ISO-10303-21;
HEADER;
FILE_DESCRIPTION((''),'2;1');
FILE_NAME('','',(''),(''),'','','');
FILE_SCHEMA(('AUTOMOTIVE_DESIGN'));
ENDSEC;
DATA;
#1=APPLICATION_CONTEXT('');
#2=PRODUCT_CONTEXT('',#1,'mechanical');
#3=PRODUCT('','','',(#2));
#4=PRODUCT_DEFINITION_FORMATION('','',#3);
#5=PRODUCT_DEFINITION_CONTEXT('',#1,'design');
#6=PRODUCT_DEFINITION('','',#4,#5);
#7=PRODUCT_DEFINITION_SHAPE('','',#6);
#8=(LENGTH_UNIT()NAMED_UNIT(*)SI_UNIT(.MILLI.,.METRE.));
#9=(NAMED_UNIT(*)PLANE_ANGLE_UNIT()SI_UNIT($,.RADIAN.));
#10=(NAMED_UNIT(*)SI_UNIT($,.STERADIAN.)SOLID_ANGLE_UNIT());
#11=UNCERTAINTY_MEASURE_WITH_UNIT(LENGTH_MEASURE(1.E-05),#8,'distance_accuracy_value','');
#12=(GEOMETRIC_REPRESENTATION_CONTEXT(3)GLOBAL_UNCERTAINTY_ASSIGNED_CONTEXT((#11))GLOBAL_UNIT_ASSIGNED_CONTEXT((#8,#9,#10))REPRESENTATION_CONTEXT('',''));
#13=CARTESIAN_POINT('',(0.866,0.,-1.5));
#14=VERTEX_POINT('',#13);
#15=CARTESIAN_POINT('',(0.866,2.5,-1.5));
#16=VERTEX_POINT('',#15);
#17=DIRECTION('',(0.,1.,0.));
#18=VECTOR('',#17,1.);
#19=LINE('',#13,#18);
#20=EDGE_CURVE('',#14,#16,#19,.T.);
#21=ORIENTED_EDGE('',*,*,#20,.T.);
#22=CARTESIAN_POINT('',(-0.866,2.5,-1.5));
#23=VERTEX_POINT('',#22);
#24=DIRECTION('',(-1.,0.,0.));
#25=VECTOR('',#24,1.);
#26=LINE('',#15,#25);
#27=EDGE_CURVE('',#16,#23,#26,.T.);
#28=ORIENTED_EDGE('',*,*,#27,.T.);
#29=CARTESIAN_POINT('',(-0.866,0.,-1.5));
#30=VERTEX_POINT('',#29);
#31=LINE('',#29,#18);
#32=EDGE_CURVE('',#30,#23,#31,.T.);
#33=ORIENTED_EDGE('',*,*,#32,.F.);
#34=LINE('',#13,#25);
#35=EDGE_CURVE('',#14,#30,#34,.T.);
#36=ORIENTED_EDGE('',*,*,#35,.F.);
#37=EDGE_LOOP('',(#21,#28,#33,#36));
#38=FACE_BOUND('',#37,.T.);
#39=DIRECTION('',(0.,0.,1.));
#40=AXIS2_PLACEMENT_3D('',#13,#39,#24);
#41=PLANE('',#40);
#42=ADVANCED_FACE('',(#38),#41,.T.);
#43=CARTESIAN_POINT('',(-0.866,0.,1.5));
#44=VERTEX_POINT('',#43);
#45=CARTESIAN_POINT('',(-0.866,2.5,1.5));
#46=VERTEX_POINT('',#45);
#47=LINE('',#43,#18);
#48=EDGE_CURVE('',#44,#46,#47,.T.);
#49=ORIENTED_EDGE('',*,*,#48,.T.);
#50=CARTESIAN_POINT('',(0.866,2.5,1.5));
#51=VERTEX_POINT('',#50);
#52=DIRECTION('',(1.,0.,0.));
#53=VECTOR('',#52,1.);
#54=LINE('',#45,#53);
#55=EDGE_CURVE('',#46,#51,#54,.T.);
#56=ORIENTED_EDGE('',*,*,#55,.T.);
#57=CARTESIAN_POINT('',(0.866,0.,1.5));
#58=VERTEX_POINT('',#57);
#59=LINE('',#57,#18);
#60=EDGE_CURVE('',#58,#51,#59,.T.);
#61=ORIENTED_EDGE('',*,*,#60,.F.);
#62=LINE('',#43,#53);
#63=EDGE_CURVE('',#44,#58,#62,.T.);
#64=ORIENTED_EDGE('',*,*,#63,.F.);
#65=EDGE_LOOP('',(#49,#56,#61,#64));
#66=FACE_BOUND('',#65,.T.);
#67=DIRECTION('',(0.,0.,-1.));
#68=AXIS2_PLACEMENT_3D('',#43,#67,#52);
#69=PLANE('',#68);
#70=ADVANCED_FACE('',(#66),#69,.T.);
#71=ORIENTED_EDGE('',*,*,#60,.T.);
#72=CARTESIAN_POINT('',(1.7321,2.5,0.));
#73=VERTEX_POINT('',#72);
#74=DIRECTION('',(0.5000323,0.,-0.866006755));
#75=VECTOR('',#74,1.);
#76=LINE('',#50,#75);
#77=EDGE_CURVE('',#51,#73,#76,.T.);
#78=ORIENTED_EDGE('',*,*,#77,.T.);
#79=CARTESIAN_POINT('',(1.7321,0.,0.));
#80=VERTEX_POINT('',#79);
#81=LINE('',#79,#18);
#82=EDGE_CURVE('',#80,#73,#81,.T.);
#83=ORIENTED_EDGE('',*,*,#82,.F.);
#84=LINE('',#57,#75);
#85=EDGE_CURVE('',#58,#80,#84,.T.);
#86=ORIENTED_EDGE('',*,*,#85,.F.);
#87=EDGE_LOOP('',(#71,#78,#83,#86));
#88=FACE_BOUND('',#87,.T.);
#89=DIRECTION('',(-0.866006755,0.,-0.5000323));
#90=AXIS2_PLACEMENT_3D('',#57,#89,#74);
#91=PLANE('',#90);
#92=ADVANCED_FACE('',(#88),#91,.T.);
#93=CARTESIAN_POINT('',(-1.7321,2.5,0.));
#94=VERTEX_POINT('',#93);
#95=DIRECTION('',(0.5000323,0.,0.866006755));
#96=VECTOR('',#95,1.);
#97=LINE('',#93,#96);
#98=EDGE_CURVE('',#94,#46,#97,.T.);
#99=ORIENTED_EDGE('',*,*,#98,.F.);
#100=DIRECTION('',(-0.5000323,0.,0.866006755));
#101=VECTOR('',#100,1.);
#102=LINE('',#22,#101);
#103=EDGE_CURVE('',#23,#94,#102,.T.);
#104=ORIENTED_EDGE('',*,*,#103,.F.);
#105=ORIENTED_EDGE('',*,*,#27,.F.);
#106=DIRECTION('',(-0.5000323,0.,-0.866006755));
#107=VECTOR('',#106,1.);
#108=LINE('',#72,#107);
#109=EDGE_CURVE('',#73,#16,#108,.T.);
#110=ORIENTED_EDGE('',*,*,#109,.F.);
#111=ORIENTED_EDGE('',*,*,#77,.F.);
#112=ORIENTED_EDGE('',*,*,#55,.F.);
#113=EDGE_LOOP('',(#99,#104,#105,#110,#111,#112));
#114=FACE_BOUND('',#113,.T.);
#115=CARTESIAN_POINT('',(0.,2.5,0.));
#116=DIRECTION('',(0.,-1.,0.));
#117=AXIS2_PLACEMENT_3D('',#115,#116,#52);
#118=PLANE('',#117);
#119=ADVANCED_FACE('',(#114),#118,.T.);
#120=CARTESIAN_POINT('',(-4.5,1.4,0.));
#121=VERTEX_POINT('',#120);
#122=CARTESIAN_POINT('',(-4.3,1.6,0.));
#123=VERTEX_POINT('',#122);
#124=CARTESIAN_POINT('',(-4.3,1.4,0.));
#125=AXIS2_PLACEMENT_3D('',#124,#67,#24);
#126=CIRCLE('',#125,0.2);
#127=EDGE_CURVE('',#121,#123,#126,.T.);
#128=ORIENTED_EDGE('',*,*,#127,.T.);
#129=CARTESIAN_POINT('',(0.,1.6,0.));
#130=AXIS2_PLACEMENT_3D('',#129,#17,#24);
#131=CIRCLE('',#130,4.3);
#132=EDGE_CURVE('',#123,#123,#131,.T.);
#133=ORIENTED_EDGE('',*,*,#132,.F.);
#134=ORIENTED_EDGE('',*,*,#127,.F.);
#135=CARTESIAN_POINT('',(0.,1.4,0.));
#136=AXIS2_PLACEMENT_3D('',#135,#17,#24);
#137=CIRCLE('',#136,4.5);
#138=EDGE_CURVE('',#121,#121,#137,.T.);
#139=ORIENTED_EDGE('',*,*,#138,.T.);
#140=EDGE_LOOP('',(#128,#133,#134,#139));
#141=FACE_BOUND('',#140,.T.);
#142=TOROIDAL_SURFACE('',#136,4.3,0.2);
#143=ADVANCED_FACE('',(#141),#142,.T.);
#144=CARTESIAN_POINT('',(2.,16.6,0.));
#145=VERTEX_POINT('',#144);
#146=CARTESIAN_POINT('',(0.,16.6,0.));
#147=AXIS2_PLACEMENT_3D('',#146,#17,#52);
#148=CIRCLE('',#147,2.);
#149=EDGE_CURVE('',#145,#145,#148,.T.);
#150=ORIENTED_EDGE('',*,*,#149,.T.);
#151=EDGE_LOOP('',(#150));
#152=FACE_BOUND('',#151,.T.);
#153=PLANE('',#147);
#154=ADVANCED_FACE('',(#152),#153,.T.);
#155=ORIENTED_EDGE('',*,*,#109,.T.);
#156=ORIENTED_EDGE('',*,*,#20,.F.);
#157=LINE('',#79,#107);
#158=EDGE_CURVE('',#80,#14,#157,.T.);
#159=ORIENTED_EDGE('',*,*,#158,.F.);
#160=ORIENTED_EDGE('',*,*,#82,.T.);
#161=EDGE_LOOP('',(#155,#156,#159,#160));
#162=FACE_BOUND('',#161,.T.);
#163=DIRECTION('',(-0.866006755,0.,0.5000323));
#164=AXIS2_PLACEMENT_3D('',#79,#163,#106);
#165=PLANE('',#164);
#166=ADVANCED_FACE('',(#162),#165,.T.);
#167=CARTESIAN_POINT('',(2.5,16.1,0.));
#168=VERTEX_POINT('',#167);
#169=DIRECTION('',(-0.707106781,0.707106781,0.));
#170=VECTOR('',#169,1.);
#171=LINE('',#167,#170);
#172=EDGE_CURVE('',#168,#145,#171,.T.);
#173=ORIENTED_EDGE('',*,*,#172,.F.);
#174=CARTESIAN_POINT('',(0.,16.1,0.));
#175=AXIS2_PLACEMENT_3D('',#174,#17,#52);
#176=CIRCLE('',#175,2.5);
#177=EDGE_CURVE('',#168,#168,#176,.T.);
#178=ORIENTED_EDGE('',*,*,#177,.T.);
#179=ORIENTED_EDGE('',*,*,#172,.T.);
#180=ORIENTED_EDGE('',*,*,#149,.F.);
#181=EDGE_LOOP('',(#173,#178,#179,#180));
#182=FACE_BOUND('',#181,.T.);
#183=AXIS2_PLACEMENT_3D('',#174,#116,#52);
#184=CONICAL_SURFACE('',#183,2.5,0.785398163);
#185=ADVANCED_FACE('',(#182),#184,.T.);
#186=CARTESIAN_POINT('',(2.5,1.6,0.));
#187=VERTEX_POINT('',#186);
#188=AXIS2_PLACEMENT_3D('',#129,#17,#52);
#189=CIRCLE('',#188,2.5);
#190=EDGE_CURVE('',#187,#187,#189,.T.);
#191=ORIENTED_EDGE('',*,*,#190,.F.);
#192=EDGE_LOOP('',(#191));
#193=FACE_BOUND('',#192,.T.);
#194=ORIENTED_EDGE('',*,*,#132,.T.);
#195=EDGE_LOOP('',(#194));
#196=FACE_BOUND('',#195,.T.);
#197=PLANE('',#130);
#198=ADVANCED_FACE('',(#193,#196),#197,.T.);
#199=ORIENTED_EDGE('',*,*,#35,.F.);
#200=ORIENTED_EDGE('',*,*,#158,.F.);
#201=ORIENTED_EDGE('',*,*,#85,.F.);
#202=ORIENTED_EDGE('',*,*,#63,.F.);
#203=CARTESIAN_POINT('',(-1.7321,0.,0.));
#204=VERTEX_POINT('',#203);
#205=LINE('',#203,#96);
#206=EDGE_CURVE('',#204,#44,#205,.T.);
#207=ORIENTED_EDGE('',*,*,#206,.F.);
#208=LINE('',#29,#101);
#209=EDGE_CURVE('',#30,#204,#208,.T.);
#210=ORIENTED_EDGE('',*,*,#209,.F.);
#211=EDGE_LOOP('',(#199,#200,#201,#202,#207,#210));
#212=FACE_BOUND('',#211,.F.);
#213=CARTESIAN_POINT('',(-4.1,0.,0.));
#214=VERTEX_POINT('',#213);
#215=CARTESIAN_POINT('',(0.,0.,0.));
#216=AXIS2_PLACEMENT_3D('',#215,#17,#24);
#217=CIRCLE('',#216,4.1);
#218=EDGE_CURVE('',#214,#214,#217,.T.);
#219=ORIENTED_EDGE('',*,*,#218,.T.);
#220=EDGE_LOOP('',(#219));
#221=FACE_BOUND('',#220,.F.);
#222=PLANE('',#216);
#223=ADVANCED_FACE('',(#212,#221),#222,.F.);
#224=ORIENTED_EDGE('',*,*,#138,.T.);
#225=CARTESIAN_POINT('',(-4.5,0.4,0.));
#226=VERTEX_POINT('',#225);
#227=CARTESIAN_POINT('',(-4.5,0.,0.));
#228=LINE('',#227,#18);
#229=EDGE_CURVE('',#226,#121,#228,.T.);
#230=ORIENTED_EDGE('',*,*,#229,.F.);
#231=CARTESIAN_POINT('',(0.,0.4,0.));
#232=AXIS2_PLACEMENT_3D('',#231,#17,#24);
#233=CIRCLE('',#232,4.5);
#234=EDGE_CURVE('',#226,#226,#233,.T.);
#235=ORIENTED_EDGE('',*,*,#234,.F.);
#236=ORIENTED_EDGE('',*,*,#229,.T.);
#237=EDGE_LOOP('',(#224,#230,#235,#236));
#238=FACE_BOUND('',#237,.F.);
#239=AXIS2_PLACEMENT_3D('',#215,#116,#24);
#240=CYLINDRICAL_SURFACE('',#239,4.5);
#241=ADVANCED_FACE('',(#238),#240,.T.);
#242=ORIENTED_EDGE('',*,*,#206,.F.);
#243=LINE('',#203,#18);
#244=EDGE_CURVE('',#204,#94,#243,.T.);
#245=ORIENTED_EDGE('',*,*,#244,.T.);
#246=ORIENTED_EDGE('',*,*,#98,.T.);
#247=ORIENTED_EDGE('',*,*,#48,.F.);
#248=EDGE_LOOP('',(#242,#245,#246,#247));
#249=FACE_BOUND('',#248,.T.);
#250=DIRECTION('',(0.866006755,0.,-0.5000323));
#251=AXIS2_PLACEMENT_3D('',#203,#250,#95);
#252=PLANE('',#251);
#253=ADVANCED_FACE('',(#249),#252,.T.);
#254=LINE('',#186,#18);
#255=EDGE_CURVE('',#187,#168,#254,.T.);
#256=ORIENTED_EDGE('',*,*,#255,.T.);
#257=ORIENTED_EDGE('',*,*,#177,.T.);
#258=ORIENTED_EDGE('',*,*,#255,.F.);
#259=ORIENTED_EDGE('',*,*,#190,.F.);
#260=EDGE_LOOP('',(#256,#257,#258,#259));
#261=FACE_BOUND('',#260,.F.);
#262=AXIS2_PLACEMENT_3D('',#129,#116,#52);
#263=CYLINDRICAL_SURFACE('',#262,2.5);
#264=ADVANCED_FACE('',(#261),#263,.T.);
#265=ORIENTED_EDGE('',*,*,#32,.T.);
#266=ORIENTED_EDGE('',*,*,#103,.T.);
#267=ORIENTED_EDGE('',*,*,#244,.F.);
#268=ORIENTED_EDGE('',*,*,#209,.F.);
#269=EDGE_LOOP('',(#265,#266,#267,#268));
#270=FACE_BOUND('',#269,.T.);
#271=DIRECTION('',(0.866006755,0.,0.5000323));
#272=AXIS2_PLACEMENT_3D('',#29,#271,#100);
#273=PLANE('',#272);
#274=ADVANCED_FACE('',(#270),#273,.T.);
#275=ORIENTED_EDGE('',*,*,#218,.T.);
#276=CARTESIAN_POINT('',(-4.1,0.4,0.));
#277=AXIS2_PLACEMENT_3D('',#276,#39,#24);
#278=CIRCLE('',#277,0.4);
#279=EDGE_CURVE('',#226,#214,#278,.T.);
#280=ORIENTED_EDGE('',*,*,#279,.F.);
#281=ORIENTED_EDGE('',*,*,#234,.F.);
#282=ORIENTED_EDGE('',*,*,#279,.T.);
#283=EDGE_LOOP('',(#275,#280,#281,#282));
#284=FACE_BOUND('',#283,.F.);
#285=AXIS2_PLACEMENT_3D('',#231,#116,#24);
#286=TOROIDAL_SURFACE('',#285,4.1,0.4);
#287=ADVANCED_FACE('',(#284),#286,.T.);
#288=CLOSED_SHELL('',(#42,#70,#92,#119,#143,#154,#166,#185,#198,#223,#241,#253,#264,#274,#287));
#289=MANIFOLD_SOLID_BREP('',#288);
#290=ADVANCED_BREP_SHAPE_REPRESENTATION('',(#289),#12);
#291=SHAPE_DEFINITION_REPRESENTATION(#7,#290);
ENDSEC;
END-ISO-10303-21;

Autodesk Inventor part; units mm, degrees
ref_plane "YZ Plane" through (0, 0, 0) normal (1, 0, 0) x (0, 1, 0)
ref_plane "XZ Plane" through (0, 0, 0) normal (0, 1, 0) x (-1, 0, 0)
ref_plane "XY Plane" through (0, 0, 0) normal (0, 0, 1) x (1, 0, 0)
sketch "Boceto1" plane through (0, 0, 0) normal (0, 1, 0) x (-1, 0, 0)
  circle A0 centre (0, 0) radius 4.5
  dimension "d0" = 9
extrude "Extrusión1" add sketch "Boceto1" along normal blind 1.6
sketch "Boceto2" plane through (0, 1.6, 0) normal (0, 1, 0) x (1, 0, 0)
  circle A0 centre (0, 0) radius 2.5
  dimension "d3" = 5
extrude "Extrusión2" add sketch "Boceto2" along normal blind 15
fillet "Empalme1" radius 0.4 1 edges at (4.5, 0, 0)
fillet "Empalme2" radius 0.2 1 edges at (4.5, 1.6, 0)
sketch "Boceto3" plane through (0, 0, 0) normal (0, -1, 0) x (1, 0, 0)
  line L0 (-1.7321, 0) -> (-0.866, 1.5)
  line L1 (-0.866, 1.5) -> (0.866, 1.5)
  line L2 (0.866, 1.5) -> (1.7321, 0)
  line L3 (1.7321, 0) -> (0.866, -1.5)
  line L4 (0.866, -1.5) -> (-0.866, -1.5)
  line L5 (-0.866, -1.5) -> (-1.7321, 0)
  point P0 (0, 0)
  point P1 (0, 0)
  dimension "d8" = 3
extrude "Extrusión3" cut sketch "Boceto3" against normal blind 2.5
chamfer "Chaflán1" distance 0.5 angle 45 1 edges at (-2.5, 16.6, 0)
thread "Rosca2" size "M5x0.8" class "6g" standard "ANSI Metric M Profile" length 12 offset 3
properties part number "Perno M5x15 cabeza plana_" material "Hierro, gris"
